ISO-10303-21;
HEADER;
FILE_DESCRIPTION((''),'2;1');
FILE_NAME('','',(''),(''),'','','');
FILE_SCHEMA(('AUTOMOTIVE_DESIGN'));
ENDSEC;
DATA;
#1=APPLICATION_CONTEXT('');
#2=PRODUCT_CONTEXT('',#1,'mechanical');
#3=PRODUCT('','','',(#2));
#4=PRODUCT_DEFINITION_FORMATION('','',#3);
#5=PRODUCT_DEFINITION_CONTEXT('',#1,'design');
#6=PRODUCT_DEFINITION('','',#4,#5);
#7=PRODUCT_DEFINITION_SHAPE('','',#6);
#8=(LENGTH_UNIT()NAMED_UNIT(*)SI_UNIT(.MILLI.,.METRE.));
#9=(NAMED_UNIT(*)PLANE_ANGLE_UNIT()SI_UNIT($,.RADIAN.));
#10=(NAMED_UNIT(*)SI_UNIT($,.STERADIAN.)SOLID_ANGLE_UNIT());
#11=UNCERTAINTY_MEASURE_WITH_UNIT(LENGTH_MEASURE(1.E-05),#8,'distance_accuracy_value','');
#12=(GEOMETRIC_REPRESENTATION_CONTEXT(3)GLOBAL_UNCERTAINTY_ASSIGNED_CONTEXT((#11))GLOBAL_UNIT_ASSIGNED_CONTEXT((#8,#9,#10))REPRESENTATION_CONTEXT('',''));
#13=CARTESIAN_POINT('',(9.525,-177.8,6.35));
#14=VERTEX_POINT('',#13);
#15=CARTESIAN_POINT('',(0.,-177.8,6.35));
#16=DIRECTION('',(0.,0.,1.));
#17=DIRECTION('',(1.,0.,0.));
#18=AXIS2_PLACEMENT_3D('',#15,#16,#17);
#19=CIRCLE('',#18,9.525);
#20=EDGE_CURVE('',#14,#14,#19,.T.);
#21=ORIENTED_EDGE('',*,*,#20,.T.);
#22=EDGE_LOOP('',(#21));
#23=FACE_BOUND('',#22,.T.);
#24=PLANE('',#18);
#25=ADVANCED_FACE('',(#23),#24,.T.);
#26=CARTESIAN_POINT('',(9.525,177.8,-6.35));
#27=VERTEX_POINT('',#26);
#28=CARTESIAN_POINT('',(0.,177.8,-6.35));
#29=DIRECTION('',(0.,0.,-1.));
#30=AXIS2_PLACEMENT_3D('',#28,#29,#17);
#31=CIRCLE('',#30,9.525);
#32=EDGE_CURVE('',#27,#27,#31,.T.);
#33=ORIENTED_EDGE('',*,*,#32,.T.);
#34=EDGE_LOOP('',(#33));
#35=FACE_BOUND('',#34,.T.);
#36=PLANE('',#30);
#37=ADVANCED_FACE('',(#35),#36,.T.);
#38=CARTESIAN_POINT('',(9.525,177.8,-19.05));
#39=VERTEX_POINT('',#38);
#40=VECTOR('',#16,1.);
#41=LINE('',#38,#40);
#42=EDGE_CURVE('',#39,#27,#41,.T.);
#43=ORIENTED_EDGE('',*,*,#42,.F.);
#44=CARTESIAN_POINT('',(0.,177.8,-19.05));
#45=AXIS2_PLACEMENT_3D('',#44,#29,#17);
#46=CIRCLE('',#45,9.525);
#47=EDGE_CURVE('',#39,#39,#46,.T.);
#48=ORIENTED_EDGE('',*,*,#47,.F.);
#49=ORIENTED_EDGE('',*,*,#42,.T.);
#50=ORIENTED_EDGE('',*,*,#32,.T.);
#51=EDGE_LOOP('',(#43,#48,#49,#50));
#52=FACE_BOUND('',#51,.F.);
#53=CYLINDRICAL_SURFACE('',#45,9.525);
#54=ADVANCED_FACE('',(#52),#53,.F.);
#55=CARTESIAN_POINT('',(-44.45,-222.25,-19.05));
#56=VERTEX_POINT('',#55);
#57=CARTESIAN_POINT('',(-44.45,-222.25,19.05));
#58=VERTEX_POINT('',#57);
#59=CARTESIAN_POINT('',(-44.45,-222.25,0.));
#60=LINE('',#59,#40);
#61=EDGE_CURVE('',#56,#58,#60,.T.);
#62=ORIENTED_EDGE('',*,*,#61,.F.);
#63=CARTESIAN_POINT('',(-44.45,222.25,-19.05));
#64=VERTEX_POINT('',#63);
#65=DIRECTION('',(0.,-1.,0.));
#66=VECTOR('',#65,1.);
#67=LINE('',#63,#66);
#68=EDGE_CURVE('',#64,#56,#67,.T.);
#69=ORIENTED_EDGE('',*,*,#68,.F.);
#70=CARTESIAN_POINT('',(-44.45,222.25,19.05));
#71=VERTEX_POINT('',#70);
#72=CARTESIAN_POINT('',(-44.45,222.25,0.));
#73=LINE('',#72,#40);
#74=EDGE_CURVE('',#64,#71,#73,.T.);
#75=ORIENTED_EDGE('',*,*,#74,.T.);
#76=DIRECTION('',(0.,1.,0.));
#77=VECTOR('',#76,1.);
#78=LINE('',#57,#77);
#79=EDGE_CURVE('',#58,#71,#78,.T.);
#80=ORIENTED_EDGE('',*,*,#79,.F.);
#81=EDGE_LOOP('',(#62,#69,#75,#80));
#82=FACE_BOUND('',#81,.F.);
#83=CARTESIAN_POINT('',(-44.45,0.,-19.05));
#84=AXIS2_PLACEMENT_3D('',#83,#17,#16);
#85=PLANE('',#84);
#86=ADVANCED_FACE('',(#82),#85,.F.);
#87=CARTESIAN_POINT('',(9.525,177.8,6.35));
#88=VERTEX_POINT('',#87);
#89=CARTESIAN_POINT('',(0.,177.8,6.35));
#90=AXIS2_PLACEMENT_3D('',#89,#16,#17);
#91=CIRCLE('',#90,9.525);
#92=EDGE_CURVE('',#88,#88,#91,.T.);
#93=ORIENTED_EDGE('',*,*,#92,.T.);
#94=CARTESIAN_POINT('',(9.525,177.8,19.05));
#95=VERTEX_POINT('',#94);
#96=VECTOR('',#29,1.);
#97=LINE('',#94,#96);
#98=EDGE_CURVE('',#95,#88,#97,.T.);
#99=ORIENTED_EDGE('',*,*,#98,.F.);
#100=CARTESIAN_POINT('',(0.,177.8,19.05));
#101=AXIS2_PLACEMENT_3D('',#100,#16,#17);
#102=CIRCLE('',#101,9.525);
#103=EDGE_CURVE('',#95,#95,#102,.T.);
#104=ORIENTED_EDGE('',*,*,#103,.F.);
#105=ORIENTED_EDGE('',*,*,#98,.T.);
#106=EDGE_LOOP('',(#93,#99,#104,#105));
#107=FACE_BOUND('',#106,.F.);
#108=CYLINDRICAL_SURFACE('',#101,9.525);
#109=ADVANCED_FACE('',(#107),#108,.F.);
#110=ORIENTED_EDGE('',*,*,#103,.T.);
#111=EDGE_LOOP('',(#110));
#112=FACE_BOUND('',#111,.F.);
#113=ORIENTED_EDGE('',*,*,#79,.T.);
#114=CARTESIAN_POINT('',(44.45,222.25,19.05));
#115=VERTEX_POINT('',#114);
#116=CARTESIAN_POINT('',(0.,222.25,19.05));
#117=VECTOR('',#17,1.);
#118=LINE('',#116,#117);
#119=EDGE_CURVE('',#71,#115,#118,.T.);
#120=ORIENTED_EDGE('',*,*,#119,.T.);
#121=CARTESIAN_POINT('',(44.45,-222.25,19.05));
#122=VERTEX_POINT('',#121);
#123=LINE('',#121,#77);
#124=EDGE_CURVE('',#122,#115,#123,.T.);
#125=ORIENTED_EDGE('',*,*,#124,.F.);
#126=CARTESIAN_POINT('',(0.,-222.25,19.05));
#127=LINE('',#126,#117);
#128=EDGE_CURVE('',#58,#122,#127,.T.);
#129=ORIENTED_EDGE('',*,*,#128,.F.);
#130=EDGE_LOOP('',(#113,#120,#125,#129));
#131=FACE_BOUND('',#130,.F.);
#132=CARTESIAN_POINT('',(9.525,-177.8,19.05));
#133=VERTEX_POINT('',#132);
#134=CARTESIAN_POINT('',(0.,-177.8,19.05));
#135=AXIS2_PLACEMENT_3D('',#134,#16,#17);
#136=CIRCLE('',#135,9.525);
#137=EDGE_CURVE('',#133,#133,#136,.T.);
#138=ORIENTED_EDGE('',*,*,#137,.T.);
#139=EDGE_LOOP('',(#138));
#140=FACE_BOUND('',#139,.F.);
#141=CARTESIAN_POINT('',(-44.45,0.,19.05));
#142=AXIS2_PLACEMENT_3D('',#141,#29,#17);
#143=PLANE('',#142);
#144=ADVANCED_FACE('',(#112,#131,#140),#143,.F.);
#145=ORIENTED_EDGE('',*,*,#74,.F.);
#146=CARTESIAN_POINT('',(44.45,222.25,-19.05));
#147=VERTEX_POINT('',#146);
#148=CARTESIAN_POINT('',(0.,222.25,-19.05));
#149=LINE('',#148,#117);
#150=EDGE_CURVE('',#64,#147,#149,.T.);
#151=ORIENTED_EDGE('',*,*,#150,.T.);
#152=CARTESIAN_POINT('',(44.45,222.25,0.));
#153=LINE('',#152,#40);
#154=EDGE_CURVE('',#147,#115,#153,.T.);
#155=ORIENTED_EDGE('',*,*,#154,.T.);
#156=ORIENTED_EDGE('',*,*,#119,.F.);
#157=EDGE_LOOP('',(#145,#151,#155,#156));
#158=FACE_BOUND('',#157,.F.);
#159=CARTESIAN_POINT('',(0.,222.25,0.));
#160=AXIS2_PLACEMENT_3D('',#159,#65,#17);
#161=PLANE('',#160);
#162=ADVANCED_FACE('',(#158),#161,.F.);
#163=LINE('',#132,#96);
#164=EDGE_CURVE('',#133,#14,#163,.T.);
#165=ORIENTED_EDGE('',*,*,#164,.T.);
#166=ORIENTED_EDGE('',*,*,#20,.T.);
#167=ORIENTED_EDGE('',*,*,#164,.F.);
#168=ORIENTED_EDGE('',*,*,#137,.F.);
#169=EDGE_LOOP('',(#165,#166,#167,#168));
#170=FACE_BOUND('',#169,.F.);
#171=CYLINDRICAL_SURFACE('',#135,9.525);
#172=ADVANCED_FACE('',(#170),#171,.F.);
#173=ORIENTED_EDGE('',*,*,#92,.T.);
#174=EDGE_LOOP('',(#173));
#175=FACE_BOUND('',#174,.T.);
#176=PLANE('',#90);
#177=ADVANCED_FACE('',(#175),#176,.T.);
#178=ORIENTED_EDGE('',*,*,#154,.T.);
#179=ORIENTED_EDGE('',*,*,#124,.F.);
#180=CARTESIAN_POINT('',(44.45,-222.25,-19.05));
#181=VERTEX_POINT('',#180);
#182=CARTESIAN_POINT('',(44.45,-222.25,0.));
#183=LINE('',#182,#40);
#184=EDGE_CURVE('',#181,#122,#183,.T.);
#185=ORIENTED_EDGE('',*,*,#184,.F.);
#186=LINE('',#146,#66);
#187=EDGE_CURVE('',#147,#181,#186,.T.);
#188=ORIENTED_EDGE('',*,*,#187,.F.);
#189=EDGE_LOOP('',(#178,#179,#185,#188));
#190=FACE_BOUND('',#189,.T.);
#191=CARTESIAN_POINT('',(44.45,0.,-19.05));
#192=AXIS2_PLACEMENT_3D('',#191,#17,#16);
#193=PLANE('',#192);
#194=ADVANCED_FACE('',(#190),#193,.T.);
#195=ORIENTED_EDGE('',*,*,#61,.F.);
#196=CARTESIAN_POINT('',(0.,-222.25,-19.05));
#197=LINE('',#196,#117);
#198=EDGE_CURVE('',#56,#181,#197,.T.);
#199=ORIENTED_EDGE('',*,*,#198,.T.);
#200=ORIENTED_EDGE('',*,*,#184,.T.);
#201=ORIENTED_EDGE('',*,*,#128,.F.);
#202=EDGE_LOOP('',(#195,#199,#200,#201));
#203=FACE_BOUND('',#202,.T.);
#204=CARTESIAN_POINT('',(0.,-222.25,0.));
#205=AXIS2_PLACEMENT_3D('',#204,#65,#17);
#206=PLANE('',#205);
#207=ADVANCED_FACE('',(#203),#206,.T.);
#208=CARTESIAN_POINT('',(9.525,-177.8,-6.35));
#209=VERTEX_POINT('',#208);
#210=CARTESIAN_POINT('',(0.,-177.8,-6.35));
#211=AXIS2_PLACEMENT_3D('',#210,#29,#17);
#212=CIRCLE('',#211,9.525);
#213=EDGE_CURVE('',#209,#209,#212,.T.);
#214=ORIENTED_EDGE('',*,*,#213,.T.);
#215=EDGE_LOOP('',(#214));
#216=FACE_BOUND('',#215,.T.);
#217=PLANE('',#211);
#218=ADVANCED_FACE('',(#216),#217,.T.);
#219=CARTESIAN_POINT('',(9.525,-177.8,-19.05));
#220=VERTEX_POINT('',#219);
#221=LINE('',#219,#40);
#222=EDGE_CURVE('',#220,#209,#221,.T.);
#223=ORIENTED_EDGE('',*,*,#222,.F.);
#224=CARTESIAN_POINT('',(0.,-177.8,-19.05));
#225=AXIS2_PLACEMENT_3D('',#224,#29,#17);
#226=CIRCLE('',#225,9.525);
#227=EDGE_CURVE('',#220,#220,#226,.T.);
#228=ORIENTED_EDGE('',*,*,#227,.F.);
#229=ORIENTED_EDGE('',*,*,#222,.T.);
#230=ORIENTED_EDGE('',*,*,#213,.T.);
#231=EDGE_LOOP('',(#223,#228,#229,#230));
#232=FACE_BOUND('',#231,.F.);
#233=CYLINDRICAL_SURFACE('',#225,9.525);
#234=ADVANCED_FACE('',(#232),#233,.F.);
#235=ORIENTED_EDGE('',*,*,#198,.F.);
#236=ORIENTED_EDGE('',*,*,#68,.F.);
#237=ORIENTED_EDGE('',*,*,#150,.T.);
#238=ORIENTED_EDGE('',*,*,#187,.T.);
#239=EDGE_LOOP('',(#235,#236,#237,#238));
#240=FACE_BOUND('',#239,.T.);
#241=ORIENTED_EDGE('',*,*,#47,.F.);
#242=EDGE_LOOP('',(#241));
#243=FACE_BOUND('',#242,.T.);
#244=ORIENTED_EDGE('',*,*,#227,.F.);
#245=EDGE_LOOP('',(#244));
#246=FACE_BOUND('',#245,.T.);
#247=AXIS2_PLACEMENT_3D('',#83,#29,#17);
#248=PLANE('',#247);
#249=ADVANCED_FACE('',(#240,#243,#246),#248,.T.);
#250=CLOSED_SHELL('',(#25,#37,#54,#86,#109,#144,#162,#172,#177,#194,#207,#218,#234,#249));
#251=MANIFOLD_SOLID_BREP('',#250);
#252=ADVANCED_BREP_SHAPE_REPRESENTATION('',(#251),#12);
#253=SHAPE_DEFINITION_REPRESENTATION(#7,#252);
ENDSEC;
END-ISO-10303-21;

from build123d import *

# Parameters (mm, degrees)
F0_W     = 88.9
F0_H     = 38.1
F1_DEPTH = 222.25
F2_R     = 9.525
F3_DEPTH = 12.7
F4_R     = 9.525
F5_DEPTH = 12.7


with BuildPart() as f1:
    # F0 (on Front) → F1 (new body, symmetric)
    with BuildSketch(Plane.XZ):
        Rectangle(F0_W, F0_H)
    extrude(amount=F1_DEPTH, both=True)

    # F2 (on face) → F3 (cut)
    with BuildSketch(Plane.XY.offset(19.05)):
        with Locations((0, 177.8)):
            Circle(F2_R)
        with Locations((0, -177.8)):
            Circle(F2_R)
    extrude(amount=-F3_DEPTH, mode=Mode.SUBTRACT)

    # F4 (on face) → F5 (cut)
    with BuildSketch(Plane(origin=(0, 0, -19.05), x_dir=(1, 0, 0), z_dir=(0, 0, -1))):
        with Locations((0, -177.8)):
            Circle(F4_R)
        with Locations((0, 177.8)):
            Circle(F4_R)
    extrude(amount=-F5_DEPTH, mode=Mode.SUBTRACT)


solid = f1.part
